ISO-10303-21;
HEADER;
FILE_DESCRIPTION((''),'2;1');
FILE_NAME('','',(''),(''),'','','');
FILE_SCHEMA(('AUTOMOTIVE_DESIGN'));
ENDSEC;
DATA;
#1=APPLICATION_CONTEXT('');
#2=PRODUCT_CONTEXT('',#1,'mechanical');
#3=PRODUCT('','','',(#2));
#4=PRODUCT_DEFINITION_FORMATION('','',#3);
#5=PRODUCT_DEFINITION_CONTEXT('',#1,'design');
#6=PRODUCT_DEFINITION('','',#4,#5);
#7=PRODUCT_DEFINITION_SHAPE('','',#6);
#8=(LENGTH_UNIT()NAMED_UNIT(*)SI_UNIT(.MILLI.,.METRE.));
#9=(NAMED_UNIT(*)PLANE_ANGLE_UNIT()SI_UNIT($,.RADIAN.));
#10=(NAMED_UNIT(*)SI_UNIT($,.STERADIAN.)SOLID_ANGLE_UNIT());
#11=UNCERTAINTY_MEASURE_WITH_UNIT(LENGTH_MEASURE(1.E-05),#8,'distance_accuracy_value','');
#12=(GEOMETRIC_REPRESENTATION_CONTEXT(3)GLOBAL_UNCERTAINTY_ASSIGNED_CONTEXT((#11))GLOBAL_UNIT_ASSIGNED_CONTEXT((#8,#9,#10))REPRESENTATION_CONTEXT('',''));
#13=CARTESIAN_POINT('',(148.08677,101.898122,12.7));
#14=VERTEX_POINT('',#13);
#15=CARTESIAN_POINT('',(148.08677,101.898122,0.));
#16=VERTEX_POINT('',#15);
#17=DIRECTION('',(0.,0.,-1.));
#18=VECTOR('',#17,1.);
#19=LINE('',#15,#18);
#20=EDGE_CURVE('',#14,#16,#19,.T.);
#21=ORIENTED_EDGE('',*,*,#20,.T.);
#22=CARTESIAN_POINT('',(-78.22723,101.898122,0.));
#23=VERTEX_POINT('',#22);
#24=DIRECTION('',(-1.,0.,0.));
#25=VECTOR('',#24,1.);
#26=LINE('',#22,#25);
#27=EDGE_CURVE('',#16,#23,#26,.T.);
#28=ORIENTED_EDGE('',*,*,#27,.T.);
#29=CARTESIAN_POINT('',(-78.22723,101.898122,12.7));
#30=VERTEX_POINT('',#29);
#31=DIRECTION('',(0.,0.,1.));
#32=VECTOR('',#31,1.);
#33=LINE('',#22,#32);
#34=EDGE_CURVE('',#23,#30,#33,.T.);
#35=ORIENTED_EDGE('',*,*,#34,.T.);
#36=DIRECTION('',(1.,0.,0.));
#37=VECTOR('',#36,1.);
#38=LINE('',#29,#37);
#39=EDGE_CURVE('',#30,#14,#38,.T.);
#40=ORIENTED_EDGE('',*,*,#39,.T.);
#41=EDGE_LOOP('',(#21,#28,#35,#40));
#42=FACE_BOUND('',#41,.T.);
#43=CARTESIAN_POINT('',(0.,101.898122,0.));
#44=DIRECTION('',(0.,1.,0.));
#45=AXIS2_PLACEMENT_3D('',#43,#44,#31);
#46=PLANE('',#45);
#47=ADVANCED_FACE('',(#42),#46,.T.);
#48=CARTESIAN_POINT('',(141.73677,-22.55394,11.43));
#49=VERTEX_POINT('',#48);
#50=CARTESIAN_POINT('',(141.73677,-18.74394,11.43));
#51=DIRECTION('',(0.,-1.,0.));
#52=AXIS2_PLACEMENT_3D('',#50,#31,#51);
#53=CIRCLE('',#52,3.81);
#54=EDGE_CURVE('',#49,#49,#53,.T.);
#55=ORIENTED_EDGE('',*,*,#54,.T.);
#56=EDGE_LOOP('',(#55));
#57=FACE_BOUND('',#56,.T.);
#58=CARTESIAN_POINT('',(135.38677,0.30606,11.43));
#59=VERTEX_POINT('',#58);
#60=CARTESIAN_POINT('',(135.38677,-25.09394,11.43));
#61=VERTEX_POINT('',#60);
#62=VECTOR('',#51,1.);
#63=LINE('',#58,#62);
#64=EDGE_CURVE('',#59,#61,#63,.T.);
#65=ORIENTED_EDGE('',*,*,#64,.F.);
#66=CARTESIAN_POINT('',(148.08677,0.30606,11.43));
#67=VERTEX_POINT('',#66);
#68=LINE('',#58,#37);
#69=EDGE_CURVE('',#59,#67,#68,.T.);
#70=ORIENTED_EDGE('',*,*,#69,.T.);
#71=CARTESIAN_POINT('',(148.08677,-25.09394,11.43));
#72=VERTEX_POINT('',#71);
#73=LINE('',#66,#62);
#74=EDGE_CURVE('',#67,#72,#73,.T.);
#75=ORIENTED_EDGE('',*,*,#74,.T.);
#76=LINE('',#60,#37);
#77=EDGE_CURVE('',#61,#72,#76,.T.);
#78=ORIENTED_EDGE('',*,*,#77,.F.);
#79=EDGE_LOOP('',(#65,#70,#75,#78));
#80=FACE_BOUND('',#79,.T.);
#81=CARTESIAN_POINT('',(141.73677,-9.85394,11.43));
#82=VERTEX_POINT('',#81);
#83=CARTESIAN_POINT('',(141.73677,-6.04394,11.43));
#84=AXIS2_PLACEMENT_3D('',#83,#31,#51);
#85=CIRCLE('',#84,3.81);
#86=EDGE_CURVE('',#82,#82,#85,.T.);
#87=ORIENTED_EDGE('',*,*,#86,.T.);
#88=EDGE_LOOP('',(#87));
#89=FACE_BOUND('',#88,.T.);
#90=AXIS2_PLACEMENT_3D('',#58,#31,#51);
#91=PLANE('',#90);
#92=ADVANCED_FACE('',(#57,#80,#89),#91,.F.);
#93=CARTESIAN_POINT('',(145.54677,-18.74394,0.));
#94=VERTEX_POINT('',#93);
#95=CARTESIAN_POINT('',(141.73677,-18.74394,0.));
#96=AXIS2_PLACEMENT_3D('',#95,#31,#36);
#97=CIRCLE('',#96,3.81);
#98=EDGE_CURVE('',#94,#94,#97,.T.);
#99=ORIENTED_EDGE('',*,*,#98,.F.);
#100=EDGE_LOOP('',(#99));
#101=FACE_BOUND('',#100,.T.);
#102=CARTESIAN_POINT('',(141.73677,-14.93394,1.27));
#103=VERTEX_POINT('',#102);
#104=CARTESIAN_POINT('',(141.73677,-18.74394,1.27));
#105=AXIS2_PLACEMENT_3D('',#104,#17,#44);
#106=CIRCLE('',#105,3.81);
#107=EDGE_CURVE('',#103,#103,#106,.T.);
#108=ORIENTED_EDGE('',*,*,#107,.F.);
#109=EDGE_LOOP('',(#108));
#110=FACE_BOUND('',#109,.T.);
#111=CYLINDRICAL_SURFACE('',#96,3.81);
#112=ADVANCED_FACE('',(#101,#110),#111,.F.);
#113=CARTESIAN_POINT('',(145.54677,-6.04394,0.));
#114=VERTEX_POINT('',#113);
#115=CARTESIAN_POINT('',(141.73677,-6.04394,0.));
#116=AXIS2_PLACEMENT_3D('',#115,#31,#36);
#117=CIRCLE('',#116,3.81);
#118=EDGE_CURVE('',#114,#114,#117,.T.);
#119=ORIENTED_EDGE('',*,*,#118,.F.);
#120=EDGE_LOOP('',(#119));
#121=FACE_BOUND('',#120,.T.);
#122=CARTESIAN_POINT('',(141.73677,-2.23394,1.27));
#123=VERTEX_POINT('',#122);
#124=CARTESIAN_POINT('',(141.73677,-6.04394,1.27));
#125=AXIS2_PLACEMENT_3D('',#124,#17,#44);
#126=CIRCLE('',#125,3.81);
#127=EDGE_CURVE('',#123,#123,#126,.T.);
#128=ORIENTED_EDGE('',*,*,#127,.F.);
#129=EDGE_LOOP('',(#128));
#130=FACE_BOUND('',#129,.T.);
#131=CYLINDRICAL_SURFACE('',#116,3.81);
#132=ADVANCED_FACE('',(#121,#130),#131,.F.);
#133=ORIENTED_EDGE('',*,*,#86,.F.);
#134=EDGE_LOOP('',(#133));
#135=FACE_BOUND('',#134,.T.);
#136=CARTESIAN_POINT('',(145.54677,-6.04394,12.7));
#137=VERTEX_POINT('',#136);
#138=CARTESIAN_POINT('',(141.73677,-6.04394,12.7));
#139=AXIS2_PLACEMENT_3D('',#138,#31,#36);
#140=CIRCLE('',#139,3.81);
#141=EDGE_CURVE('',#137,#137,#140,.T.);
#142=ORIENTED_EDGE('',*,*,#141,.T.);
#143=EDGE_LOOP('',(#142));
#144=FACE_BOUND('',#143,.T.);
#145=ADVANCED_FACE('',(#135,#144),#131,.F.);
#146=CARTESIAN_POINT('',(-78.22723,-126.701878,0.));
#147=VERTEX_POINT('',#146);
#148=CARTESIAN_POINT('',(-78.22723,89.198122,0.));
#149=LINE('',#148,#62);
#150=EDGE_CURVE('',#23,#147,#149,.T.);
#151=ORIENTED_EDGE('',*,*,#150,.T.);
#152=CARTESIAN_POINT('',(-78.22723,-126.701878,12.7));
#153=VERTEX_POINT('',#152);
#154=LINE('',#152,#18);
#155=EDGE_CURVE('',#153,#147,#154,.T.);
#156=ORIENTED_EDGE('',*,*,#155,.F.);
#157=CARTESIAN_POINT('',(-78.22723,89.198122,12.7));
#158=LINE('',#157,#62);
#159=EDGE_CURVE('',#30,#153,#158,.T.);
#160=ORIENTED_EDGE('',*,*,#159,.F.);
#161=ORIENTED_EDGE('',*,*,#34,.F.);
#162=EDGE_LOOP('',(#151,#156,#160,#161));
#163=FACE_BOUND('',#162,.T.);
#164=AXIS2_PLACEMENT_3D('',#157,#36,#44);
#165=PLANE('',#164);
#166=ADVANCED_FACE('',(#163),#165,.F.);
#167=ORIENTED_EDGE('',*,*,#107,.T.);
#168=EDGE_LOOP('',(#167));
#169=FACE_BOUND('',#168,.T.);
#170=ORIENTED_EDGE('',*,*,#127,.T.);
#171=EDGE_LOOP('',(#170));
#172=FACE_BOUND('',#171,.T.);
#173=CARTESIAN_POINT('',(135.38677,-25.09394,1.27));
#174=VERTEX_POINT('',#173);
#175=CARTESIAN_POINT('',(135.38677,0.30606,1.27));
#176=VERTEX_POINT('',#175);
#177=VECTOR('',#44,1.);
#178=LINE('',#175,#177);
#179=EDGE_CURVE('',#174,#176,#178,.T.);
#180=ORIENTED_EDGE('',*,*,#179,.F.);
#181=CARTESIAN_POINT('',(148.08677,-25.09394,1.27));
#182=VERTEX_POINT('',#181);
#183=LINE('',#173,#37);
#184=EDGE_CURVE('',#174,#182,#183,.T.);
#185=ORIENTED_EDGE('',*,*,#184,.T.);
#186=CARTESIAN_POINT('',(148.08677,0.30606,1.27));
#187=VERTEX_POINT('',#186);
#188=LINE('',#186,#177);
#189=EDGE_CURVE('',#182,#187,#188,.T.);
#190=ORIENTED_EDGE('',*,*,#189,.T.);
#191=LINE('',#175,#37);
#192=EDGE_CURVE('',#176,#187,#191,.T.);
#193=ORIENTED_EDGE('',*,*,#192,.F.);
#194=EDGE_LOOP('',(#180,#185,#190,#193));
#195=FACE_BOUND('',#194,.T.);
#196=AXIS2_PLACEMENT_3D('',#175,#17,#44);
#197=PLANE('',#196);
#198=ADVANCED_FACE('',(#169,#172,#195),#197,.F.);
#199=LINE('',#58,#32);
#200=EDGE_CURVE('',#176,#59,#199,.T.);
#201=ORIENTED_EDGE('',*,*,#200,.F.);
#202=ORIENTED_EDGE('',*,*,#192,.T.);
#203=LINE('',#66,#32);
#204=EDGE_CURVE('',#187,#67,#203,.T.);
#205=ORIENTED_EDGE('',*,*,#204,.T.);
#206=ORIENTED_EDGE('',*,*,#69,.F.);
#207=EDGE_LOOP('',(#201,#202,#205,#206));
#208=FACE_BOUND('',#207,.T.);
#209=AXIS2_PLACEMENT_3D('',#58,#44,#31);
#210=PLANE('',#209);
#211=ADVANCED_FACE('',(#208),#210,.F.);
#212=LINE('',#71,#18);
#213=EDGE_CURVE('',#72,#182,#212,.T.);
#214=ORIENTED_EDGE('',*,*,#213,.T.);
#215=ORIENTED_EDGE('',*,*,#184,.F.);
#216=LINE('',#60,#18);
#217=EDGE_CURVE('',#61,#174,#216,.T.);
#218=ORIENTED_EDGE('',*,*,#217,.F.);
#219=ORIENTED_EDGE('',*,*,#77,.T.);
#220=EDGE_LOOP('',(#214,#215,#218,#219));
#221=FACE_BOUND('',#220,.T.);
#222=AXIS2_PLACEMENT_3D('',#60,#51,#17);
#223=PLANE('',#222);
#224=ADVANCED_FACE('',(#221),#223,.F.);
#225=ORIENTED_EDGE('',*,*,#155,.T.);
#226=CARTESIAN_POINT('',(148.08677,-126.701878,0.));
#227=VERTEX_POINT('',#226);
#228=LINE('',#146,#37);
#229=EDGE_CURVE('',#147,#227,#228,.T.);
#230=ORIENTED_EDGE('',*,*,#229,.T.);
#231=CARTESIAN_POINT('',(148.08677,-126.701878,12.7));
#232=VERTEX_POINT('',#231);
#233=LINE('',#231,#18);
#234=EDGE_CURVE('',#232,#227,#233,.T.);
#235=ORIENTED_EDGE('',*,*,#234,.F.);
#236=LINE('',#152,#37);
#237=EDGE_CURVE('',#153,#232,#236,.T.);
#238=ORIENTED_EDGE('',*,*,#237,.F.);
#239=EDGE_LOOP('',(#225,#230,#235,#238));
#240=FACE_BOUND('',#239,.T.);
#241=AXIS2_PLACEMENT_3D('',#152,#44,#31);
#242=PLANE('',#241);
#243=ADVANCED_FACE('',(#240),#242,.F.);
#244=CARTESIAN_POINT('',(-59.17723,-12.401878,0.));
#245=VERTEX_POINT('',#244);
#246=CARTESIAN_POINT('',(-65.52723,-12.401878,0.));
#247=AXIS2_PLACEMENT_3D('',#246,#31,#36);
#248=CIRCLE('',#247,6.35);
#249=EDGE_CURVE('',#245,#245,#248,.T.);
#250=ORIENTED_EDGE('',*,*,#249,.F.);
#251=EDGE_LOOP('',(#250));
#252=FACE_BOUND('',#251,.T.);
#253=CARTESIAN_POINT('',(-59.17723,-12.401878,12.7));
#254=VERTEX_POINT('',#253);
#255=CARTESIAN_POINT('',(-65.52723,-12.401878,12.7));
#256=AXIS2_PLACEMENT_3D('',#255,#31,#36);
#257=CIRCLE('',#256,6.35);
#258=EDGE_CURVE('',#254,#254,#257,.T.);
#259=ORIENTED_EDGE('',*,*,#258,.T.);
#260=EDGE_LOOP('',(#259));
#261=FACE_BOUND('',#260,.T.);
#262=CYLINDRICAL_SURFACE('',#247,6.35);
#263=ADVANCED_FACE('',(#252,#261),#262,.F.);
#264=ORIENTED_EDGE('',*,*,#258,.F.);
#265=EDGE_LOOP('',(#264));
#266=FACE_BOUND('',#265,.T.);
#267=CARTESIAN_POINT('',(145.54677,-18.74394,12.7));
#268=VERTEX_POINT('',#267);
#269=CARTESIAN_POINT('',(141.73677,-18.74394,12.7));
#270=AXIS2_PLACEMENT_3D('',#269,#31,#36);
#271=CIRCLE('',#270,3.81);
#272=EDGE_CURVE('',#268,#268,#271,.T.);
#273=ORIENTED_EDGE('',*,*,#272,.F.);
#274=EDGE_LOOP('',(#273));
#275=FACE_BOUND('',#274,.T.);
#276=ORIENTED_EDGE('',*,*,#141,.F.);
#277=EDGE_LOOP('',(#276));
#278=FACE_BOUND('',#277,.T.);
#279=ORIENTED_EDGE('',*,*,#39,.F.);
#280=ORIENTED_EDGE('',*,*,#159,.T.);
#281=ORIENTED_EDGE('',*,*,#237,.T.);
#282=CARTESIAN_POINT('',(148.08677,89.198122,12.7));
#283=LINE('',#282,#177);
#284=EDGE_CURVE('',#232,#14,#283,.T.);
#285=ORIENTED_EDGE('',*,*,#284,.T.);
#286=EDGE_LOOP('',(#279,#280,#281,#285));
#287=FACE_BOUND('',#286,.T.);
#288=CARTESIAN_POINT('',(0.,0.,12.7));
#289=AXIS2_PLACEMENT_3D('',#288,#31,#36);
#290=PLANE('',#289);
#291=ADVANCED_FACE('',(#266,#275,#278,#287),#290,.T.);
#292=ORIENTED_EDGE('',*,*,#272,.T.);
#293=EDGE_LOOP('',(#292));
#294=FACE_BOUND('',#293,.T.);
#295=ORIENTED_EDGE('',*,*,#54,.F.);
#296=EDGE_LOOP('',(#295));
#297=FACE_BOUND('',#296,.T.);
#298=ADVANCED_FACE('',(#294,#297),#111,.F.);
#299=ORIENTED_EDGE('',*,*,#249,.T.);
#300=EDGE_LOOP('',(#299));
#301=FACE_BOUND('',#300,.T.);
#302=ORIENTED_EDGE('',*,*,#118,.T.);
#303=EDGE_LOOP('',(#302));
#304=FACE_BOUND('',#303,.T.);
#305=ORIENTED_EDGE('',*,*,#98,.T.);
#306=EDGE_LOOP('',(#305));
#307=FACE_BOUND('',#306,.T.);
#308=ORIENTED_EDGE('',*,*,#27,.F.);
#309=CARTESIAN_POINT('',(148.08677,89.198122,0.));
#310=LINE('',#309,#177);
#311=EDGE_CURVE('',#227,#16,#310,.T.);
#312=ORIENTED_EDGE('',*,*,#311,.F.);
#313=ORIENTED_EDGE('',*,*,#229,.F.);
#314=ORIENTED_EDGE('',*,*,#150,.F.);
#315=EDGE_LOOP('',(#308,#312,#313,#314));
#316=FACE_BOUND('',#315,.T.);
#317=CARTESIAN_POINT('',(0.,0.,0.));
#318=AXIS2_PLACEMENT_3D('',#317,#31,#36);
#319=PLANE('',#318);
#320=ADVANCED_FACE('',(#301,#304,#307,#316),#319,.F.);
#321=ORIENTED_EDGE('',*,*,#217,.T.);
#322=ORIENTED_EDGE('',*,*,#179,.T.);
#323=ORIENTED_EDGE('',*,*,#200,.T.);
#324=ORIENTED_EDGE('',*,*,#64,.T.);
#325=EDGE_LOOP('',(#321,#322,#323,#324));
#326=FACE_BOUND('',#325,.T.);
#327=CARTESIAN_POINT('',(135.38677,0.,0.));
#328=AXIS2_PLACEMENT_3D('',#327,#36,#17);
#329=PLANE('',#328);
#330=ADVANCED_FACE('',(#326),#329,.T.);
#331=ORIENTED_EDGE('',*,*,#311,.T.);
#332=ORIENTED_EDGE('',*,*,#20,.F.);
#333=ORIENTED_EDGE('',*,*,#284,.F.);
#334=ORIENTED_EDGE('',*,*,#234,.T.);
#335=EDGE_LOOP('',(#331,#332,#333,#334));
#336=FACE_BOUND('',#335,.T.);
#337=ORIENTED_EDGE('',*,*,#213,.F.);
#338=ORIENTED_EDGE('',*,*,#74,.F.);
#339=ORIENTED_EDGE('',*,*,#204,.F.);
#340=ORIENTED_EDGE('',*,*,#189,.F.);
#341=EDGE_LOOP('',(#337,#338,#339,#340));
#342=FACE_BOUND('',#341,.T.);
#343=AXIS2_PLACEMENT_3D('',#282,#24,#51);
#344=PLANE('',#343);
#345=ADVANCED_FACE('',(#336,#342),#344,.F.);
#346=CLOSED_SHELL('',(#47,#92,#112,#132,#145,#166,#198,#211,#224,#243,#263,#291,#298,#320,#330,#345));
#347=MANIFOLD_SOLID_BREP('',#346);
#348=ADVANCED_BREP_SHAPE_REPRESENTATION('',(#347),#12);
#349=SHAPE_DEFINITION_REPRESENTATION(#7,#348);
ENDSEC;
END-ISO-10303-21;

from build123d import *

# Parameters (mm, degrees)
SKETCH1_W           = 226.314
SKETCH1_H           = 215.9
BOSS_EXTRUDE1_DEPTH = 12.7
SKETCH2_W           = 10.16
SKETCH2_H           = 25.4
CUT_EXTRUDE1_DEPTH  = 12.7
SKETCH3_R           = 6.35
SKETCH3_R_2         = 3.81
CUT_EXTRUDE2_DEPTH  = 12.7
SKETCH4_W           = 226.314
SKETCH4_H           = 12.7
BOSS_EXTRUDE2_DEPTH = 12.7


with BuildPart() as part:
    # Sketch1 → Boss-Extrude1 (new body)
    with BuildSketch(Plane.XY):
        with Locations((34.929769953, -18.751877934)):
            Rectangle(SKETCH1_W, SKETCH1_H)
    extrude(amount=BOSS_EXTRUDE1_DEPTH)

    # Sketch2 → Cut-Extrude1 (cut)
    with BuildSketch(Plane(origin=(148.086769953, 0, 0), x_dir=(0, 0, -1), z_dir=(1, 0, 0))):
        with Locations((-6.35, -12.393940124)):
            Rectangle(SKETCH2_W, SKETCH2_H)
    extrude(amount=-CUT_EXTRUDE1_DEPTH, mode=Mode.SUBTRACT)

    # Sketch3 → Cut-Extrude2 (cut)
    with BuildSketch(Plane.XY.offset(12.7)):
        with Locations((-65.527230047, -12.401877934)):
            Circle(SKETCH3_R)
        with Locations((141.736769953, -6.043940124)):
            Circle(SKETCH3_R_2)
        with Locations((141.736769953, -18.743940124)):
            Circle(SKETCH3_R_2)
    extrude(amount=-CUT_EXTRUDE2_DEPTH, mode=Mode.SUBTRACT)

    # Sketch4 → Boss-Extrude2 (add)
    with BuildSketch(Plane(origin=(0, 89.198122066, 0), x_dir=(1, 0, 0), z_dir=(0, 1, 0))):
        with Locations((34.929769953, -6.35)):
            Rectangle(SKETCH4_W, SKETCH4_H)
    extrude(amount=BOSS_EXTRUDE2_DEPTH)


solid = part.part
